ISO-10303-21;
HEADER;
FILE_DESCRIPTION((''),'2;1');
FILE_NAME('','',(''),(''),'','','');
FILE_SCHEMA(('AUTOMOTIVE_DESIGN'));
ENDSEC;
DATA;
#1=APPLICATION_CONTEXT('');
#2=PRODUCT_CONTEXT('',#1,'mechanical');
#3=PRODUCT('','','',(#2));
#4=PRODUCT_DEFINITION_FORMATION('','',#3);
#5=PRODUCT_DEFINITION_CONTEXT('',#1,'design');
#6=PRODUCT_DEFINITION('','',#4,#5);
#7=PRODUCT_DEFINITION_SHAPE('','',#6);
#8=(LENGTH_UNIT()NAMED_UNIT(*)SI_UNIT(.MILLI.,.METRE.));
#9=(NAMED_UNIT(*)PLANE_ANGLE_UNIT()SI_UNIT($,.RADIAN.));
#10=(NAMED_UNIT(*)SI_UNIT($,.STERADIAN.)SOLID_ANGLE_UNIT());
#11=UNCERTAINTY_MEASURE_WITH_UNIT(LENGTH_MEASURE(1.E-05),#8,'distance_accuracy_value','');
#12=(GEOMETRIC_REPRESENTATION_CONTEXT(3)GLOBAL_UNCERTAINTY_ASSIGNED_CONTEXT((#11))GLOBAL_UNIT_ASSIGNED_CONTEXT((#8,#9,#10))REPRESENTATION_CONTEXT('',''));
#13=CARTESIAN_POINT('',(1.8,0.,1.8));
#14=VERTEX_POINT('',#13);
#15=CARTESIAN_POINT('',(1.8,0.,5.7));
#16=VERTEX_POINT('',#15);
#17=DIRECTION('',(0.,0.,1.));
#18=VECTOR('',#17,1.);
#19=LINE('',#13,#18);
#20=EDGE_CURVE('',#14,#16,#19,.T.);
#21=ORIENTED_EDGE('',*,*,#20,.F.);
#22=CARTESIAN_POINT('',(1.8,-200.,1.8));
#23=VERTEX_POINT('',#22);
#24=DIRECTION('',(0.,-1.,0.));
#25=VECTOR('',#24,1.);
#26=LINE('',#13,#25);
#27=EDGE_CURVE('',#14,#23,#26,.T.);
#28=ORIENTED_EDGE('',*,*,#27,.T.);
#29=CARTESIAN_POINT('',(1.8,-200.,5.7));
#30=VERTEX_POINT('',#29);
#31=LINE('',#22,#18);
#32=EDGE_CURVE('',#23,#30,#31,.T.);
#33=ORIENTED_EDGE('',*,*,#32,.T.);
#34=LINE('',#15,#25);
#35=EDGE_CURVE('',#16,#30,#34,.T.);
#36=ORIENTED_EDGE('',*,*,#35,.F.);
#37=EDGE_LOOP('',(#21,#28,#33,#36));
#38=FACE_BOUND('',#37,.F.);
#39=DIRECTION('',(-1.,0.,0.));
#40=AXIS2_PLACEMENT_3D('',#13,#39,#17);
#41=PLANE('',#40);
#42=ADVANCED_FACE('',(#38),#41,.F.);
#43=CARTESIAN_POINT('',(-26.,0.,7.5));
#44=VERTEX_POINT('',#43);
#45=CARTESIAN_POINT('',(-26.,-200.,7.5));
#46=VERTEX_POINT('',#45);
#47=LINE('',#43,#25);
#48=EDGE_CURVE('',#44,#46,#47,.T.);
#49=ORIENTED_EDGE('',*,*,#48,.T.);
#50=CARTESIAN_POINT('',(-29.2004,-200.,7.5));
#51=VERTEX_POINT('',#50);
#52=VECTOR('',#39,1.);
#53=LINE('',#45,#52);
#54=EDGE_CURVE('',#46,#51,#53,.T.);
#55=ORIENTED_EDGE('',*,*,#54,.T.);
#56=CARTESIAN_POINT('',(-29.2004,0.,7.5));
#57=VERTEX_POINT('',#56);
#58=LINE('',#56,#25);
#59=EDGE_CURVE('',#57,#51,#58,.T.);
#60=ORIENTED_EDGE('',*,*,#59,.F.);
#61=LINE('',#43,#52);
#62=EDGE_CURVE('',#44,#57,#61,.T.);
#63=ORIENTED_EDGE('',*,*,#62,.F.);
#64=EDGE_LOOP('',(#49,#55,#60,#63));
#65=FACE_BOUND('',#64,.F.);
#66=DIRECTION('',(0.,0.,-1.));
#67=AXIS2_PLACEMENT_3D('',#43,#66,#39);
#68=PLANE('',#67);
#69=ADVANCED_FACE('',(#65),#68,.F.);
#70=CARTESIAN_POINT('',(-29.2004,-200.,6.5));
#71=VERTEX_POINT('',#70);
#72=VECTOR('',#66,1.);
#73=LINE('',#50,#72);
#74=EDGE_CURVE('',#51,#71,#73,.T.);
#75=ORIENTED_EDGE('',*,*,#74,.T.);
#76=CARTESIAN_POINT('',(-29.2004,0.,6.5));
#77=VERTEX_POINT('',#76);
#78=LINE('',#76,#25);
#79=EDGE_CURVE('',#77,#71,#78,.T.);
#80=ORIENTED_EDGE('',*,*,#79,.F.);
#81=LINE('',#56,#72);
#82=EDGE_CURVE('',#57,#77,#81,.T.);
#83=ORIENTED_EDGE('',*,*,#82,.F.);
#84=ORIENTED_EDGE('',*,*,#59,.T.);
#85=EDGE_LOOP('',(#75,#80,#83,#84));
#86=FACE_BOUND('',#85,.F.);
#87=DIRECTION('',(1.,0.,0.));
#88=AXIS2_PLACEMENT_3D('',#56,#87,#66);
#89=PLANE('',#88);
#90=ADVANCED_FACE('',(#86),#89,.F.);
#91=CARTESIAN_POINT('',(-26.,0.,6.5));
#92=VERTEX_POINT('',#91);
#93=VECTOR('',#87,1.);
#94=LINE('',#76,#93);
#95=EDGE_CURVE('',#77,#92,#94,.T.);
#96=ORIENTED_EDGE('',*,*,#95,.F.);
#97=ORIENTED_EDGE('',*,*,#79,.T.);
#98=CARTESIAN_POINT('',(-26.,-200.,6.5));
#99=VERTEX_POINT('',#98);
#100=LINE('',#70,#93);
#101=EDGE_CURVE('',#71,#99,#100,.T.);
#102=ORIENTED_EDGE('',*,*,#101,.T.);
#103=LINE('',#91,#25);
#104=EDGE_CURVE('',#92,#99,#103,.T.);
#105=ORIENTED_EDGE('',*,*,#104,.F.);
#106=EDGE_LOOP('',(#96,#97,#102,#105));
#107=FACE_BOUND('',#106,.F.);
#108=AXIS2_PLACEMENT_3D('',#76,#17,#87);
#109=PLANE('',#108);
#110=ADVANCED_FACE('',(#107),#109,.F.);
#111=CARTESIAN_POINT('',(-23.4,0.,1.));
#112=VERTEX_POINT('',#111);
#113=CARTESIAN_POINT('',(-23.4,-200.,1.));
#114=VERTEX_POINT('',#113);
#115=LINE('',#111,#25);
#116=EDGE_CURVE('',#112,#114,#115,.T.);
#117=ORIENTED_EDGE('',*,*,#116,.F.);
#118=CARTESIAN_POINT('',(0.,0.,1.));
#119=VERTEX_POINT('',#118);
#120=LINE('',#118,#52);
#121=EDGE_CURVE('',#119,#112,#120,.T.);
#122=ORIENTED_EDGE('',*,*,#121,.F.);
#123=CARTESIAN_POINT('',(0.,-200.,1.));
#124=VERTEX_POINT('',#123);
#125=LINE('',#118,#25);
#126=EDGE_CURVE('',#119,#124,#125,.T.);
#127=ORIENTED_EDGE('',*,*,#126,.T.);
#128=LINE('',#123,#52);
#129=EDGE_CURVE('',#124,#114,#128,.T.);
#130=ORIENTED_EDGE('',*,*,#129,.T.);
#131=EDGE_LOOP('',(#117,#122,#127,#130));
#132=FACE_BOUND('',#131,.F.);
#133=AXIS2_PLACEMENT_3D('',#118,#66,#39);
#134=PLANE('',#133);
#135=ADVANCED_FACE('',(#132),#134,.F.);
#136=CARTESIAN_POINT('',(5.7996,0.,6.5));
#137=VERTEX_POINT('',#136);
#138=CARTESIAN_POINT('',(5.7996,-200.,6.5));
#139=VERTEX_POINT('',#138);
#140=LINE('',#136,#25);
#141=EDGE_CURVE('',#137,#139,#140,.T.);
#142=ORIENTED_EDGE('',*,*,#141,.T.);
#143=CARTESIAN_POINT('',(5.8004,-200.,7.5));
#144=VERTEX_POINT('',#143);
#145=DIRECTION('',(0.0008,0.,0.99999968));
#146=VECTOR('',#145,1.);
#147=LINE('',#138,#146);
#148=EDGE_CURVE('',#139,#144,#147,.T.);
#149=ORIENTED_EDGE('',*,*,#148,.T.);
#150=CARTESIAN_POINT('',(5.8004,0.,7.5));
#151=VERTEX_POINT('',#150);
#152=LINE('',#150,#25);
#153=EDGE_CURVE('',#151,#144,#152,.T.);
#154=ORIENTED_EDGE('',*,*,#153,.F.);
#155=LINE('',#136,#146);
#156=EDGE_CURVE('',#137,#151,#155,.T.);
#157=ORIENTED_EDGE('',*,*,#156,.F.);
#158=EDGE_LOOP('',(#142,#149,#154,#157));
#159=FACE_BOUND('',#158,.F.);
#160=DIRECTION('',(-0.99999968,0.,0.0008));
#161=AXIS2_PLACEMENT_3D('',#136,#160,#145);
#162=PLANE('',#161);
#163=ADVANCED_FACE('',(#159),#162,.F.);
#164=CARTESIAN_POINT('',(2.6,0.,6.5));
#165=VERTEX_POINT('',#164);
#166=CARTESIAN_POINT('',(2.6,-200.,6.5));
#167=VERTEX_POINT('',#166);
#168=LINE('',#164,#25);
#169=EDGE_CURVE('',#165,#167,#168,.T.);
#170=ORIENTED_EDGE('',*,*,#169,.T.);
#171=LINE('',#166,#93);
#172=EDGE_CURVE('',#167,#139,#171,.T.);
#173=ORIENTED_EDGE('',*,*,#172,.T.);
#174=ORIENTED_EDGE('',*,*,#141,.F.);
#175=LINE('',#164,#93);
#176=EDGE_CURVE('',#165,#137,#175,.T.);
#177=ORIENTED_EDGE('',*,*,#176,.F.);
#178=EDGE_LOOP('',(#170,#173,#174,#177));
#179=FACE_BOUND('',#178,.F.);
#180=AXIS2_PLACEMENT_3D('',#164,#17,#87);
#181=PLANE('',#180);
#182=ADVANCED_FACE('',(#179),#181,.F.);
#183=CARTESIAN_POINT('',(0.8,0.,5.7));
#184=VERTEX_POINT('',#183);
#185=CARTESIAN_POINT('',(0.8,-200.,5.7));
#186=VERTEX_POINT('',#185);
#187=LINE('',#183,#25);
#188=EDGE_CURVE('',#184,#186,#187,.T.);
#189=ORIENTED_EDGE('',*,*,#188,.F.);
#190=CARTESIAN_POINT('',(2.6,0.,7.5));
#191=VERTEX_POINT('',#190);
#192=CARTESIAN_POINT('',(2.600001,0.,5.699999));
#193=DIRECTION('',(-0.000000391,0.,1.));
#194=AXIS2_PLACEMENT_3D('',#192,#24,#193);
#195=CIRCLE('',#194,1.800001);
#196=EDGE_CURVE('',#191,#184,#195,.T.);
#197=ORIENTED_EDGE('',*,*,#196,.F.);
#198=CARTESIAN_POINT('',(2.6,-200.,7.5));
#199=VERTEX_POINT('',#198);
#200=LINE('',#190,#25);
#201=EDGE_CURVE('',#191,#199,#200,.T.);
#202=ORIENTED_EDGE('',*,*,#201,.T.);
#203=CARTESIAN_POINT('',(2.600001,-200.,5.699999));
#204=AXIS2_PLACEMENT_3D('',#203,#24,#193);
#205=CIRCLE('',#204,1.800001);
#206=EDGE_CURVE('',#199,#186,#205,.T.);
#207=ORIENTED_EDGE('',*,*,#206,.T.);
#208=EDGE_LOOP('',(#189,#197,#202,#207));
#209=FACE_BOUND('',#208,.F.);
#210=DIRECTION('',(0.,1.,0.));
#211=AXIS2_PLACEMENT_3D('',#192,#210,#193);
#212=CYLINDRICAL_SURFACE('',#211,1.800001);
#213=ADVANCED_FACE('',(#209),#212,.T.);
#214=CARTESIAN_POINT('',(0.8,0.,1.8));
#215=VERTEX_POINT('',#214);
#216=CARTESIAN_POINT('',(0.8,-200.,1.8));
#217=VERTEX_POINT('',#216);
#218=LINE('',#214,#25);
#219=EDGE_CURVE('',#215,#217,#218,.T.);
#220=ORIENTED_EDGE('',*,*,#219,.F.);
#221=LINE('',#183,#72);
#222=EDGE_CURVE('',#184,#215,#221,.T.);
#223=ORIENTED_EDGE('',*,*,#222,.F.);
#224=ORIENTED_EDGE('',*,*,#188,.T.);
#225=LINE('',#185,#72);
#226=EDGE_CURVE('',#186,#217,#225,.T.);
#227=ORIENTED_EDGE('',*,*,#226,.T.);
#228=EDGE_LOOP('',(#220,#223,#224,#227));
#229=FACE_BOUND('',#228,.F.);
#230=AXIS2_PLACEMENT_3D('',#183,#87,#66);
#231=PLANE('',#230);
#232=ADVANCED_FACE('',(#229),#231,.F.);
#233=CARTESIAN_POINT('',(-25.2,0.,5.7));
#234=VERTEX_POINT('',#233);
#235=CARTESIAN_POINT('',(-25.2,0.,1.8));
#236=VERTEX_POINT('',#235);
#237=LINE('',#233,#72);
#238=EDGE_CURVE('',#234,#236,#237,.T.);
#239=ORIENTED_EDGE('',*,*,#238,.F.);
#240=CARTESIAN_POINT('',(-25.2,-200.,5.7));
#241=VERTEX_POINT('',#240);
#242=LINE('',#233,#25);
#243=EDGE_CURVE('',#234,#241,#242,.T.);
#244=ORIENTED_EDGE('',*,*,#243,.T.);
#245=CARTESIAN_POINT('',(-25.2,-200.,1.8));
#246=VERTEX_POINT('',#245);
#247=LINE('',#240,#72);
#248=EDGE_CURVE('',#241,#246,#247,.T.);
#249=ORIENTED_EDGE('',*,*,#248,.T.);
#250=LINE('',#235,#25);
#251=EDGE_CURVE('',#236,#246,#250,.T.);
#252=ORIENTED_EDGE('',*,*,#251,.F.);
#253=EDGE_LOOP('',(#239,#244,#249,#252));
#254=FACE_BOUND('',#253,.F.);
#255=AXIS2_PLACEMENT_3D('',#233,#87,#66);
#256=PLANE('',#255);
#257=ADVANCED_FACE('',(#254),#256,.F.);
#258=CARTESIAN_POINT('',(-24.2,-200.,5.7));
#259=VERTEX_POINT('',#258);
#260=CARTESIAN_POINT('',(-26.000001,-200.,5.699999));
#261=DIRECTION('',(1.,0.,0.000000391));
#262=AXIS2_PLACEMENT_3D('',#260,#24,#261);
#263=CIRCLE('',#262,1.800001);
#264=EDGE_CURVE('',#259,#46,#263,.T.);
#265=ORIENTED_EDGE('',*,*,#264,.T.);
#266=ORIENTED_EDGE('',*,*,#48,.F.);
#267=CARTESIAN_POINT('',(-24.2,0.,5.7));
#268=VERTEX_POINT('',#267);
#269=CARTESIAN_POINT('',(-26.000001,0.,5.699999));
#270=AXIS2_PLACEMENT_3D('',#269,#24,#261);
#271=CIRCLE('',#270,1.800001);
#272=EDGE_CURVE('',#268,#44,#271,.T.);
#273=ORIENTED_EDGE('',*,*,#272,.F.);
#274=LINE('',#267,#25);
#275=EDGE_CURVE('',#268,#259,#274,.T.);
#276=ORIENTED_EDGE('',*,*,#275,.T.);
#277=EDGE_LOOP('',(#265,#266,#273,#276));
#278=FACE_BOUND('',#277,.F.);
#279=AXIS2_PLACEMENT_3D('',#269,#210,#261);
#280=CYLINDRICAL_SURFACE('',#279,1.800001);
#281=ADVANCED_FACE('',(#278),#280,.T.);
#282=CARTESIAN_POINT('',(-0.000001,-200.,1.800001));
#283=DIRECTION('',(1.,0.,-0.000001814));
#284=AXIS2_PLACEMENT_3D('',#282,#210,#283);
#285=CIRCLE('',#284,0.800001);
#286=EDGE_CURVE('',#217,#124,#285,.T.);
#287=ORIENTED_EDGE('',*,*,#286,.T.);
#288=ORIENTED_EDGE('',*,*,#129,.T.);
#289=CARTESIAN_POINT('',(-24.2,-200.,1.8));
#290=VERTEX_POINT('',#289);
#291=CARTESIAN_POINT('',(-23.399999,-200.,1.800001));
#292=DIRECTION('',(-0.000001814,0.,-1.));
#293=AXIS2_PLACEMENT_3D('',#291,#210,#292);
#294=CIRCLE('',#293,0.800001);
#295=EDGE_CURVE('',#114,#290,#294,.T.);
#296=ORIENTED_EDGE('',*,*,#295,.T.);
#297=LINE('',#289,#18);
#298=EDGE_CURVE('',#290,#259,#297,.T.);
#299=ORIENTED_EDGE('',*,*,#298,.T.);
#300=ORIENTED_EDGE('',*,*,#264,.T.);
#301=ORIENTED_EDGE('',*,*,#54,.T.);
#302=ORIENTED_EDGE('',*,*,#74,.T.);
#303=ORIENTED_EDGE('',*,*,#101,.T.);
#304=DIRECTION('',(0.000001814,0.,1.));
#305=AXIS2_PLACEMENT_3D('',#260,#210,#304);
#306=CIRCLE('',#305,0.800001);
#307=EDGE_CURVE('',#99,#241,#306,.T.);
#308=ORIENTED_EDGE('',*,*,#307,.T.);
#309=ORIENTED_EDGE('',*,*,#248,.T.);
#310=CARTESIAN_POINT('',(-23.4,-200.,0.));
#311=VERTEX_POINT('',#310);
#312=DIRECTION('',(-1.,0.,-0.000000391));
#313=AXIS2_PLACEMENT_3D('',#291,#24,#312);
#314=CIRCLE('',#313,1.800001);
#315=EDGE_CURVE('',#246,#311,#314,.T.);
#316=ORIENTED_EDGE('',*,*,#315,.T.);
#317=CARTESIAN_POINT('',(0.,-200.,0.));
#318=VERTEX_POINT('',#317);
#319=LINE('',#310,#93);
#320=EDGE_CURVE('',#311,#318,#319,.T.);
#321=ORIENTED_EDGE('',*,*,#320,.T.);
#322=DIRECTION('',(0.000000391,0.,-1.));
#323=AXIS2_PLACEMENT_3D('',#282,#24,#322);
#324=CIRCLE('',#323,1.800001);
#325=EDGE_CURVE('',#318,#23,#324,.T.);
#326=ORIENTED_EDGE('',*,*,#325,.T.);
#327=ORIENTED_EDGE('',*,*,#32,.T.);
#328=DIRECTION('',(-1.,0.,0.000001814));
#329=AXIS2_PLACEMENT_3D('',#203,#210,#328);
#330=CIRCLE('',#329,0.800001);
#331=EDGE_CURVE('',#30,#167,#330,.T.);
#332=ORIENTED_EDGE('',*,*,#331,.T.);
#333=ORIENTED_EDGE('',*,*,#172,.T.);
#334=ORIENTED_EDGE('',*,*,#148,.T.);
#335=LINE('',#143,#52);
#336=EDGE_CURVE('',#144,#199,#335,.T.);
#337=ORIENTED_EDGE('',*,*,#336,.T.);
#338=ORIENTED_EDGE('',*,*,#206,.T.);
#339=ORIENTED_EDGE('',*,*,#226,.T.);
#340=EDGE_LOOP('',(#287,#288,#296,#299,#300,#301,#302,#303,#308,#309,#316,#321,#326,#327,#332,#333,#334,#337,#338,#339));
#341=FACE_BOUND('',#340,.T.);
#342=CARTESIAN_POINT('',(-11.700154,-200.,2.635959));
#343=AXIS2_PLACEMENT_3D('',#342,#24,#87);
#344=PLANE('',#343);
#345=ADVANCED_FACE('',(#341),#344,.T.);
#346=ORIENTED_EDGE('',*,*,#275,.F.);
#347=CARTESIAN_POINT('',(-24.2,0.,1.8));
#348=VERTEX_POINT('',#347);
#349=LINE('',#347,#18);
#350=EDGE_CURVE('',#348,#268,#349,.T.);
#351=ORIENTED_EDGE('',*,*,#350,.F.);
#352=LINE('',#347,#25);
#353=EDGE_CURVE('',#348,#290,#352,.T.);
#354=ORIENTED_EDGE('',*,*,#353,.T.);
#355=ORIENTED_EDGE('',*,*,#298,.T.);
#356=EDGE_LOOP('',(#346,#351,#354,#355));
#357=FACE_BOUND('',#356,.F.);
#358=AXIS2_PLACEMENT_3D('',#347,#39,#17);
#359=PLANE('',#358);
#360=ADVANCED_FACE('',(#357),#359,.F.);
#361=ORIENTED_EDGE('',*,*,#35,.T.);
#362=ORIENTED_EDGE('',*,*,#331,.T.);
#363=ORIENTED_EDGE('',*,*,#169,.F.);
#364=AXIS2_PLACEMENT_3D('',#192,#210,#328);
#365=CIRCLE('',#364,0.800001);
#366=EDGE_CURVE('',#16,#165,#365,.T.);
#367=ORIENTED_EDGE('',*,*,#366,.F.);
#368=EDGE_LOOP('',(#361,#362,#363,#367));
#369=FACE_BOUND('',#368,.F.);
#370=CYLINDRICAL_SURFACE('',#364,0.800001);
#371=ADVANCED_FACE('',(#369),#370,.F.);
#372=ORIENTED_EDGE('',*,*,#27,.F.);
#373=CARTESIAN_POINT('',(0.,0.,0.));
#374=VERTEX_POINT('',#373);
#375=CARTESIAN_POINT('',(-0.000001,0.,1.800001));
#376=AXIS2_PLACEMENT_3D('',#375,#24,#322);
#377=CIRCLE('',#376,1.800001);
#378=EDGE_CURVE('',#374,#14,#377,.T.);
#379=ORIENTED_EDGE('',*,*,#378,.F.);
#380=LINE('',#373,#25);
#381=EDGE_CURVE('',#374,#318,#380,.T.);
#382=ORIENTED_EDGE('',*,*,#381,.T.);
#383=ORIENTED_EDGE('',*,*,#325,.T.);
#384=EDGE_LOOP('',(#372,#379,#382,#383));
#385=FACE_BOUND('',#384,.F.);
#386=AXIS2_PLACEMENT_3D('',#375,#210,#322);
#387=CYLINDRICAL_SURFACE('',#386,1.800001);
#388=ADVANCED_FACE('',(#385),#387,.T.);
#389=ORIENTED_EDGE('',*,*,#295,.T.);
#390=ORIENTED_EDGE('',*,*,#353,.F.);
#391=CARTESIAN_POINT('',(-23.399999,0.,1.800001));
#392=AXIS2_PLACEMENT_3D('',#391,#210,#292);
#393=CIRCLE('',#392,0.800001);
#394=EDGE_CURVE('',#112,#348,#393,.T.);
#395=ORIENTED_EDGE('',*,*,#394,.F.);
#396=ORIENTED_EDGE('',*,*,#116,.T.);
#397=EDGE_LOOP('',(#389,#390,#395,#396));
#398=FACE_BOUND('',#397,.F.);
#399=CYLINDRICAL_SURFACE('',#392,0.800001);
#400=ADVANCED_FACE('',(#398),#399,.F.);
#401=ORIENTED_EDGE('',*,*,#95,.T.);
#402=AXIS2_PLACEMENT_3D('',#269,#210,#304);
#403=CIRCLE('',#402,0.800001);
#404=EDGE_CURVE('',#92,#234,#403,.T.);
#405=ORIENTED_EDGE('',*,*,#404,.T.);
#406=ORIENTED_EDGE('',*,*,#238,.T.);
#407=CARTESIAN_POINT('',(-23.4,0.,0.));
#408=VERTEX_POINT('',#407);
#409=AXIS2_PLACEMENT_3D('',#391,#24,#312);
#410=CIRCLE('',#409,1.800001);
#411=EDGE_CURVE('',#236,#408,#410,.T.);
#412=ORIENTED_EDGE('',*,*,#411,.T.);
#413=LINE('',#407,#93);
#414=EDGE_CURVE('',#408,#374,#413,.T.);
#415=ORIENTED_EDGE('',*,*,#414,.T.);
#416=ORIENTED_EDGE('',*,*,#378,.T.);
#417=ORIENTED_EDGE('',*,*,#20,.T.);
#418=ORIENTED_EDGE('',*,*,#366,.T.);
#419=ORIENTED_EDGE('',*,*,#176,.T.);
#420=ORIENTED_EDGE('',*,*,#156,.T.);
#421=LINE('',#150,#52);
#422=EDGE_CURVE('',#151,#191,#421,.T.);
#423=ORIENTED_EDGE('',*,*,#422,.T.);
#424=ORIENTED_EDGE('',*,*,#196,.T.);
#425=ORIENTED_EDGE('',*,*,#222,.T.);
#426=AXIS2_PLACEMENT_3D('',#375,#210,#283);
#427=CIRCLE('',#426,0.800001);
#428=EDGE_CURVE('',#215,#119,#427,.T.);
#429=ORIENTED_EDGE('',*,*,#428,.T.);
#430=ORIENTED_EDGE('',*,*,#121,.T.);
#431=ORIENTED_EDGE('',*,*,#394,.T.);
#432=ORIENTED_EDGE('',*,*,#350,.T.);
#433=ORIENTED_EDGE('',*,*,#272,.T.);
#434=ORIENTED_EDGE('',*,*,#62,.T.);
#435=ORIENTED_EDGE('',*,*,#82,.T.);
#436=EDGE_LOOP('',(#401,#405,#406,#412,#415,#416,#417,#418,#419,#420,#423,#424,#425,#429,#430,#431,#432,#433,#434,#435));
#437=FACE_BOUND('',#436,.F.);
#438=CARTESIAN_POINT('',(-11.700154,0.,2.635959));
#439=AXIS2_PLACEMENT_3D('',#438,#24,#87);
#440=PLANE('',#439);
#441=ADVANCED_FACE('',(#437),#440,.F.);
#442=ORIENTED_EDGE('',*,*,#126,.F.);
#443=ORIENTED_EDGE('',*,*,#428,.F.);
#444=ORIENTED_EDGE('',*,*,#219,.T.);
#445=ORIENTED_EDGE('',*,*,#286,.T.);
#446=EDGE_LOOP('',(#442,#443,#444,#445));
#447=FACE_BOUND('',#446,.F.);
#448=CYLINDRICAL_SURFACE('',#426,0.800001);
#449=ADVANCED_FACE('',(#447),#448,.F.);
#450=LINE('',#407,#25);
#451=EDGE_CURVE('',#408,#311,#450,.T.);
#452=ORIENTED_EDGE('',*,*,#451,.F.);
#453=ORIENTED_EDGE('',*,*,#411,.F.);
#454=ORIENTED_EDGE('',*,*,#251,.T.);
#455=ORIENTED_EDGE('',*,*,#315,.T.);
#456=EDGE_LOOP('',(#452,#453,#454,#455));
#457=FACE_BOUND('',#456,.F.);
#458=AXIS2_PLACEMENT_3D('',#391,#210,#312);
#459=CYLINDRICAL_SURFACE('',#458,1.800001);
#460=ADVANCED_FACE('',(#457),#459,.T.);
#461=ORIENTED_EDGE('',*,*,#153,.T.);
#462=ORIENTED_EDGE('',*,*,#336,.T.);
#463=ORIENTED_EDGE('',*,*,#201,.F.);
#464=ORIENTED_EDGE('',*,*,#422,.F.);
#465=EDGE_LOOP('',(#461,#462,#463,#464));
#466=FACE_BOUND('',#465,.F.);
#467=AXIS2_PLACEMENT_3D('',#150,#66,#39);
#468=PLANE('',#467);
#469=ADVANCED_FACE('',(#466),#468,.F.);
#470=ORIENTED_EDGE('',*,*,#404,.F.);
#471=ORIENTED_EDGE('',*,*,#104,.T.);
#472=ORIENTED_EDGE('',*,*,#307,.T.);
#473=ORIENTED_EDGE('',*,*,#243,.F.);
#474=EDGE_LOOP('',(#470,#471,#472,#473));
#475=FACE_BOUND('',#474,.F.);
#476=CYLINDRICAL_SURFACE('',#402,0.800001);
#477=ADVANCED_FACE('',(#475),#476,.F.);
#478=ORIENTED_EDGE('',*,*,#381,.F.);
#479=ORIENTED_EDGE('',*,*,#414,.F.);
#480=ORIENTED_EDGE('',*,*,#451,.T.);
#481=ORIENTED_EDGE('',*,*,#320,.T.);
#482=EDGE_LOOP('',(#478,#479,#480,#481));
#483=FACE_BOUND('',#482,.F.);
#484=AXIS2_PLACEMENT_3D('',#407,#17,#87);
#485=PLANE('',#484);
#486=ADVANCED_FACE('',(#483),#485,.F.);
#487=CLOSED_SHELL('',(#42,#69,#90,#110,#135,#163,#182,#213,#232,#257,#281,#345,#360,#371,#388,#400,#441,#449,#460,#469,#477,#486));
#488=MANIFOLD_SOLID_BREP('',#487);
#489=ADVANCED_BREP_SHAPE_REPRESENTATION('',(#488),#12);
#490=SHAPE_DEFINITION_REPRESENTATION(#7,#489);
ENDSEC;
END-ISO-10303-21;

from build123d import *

# Parameters (mm, degrees)
F1_DEPTH = 200


with BuildPart() as f1:
    # F0 (on Front) → F1 (new body)
    with BuildSketch(Plane.XZ):
        with BuildLine():
            Line((-23.4, 0), (0, 0))
            ThreePointArc((0, 0), (1.272792, 0.527208), (1.8, 1.8))
            Line((1.8, 1.8), (1.8, 5.7))
            ThreePointArc((1.8, 5.7), (2.034315, 6.265685), (2.6, 6.5))
            Line((2.6, 6.5), (5.7996, 6.5))
            Line((5.7996, 6.5), (5.8004, 7.5))
            Line((5.8004, 7.5), (2.6, 7.5))
            ThreePointArc((2.6, 7.5), (1.327208, 6.972792), (0.8, 5.7))
            Line((0.8, 5.7), (0.8, 1.8))
            ThreePointArc((0.8, 1.8), (0.565685, 1.234315), (0, 1))
            Line((0, 1), (-23.4, 1))
            ThreePointArc((-23.4, 1), (-23.965685, 1.234315), (-24.2, 1.8))
            Line((-24.2, 1.8), (-24.2, 5.7))
            ThreePointArc((-24.2, 5.7), (-24.727208, 6.972792), (-26, 7.5))
            Line((-26, 7.5), (-29.2004, 7.5))
            Line((-29.2004, 7.5), (-29.2004, 6.5))
            Line((-29.2004, 6.5), (-26, 6.5))
            ThreePointArc((-26, 6.5), (-25.434315, 6.265685), (-25.2, 5.7))
            Line((-25.2, 5.7), (-25.2, 1.8))
            ThreePointArc((-25.2, 1.8), (-24.672792, 0.527208), (-23.4, 0))
        make_face()
    extrude(amount=F1_DEPTH)


solid = f1.part
